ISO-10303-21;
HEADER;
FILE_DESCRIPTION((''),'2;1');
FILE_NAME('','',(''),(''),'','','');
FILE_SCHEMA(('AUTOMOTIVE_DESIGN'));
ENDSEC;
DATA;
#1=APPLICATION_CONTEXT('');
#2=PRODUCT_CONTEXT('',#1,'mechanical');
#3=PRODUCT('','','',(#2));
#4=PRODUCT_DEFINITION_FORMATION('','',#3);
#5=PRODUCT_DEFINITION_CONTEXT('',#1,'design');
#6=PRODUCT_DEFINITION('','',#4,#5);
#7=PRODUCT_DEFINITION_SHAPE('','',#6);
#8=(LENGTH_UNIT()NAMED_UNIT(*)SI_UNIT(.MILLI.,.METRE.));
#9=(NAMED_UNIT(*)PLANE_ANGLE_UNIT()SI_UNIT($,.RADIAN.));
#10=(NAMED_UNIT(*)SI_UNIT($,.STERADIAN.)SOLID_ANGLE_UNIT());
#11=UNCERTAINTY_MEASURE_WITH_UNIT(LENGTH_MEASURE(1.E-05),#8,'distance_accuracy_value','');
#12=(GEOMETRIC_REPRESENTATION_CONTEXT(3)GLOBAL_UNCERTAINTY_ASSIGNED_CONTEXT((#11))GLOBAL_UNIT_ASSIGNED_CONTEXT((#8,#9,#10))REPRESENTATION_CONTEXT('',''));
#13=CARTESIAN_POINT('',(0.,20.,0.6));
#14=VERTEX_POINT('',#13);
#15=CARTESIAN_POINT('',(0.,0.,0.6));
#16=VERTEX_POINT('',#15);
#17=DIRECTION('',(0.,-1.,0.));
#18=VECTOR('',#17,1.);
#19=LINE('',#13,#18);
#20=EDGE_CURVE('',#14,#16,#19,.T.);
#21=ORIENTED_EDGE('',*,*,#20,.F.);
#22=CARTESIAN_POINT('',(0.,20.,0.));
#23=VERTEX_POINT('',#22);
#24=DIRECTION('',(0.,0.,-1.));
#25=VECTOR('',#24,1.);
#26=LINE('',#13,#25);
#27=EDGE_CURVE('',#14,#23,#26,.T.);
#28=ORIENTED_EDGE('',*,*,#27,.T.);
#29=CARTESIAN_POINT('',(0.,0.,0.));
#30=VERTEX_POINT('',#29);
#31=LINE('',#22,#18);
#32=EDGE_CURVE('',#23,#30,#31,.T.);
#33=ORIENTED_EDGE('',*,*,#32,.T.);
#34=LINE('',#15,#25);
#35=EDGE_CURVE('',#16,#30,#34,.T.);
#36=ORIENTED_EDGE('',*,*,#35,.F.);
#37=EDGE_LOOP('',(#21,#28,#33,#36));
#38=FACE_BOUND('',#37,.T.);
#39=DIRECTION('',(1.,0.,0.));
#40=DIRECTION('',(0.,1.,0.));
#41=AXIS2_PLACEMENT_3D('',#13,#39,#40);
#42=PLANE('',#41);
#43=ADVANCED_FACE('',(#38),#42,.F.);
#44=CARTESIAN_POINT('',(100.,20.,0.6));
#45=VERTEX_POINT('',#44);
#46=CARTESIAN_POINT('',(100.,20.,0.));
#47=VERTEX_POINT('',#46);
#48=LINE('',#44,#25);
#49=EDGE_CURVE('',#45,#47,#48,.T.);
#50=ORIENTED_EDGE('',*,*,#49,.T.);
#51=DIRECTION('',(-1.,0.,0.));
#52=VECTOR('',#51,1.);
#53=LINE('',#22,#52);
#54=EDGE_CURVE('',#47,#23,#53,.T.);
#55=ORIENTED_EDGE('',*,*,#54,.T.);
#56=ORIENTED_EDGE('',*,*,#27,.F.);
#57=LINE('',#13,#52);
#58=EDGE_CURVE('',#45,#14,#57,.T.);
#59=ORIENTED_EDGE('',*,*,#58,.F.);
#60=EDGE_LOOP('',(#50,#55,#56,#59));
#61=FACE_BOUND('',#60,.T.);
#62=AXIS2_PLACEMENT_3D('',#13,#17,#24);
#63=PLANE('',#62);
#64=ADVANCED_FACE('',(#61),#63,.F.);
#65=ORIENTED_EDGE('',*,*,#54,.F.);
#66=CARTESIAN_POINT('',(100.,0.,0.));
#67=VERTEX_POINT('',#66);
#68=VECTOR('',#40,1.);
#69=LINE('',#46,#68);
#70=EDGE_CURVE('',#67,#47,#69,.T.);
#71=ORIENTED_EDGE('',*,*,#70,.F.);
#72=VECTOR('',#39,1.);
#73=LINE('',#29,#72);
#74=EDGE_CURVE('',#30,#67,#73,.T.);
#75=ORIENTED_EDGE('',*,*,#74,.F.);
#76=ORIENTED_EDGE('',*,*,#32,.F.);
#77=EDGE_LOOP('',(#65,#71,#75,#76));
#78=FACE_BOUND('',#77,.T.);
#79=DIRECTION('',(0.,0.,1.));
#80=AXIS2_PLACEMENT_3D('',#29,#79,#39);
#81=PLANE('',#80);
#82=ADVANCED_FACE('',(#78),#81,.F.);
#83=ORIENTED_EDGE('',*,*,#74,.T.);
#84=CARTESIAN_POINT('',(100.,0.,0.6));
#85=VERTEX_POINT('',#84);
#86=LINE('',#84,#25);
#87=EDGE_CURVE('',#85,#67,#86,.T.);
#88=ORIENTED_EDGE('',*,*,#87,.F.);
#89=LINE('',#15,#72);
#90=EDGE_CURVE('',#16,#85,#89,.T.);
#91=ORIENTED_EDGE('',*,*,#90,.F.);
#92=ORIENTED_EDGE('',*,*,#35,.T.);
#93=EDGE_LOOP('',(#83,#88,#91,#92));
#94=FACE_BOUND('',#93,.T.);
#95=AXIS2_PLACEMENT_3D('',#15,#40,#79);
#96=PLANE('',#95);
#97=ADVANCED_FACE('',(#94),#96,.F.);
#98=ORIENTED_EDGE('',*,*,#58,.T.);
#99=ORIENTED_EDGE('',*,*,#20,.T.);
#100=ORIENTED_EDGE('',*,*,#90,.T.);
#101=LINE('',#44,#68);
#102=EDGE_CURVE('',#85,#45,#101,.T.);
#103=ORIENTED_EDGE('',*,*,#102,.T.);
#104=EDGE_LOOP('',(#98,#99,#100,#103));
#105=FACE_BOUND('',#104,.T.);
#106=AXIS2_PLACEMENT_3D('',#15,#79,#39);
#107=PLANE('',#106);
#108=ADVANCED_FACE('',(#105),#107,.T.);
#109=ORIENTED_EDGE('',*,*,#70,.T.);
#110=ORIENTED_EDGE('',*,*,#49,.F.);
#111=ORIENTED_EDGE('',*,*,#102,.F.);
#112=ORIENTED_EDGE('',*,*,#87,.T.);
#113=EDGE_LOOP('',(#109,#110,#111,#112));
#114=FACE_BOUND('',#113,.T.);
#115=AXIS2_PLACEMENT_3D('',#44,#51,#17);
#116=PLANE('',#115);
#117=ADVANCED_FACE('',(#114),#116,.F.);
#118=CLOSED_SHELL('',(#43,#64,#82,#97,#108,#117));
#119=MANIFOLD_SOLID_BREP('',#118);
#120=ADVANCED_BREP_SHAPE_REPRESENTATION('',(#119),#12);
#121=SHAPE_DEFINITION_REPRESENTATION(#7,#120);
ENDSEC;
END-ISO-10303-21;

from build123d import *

# Parameters (mm, degrees)
SKETCH_1_W               = 100
SKETCH_1_H               = 20
EXTRUDE_100_20_0_6_DEPTH = 0.6


with BuildPart() as part:
    # Эскиз1 → 100/20/0,6 (new body)
    with BuildSketch(Plane.XY):
        with Locations((50, 10)):
            Rectangle(SKETCH_1_W, SKETCH_1_H)
    extrude(amount=EXTRUDE_100_20_0_6_DEPTH)


solid = part.part
